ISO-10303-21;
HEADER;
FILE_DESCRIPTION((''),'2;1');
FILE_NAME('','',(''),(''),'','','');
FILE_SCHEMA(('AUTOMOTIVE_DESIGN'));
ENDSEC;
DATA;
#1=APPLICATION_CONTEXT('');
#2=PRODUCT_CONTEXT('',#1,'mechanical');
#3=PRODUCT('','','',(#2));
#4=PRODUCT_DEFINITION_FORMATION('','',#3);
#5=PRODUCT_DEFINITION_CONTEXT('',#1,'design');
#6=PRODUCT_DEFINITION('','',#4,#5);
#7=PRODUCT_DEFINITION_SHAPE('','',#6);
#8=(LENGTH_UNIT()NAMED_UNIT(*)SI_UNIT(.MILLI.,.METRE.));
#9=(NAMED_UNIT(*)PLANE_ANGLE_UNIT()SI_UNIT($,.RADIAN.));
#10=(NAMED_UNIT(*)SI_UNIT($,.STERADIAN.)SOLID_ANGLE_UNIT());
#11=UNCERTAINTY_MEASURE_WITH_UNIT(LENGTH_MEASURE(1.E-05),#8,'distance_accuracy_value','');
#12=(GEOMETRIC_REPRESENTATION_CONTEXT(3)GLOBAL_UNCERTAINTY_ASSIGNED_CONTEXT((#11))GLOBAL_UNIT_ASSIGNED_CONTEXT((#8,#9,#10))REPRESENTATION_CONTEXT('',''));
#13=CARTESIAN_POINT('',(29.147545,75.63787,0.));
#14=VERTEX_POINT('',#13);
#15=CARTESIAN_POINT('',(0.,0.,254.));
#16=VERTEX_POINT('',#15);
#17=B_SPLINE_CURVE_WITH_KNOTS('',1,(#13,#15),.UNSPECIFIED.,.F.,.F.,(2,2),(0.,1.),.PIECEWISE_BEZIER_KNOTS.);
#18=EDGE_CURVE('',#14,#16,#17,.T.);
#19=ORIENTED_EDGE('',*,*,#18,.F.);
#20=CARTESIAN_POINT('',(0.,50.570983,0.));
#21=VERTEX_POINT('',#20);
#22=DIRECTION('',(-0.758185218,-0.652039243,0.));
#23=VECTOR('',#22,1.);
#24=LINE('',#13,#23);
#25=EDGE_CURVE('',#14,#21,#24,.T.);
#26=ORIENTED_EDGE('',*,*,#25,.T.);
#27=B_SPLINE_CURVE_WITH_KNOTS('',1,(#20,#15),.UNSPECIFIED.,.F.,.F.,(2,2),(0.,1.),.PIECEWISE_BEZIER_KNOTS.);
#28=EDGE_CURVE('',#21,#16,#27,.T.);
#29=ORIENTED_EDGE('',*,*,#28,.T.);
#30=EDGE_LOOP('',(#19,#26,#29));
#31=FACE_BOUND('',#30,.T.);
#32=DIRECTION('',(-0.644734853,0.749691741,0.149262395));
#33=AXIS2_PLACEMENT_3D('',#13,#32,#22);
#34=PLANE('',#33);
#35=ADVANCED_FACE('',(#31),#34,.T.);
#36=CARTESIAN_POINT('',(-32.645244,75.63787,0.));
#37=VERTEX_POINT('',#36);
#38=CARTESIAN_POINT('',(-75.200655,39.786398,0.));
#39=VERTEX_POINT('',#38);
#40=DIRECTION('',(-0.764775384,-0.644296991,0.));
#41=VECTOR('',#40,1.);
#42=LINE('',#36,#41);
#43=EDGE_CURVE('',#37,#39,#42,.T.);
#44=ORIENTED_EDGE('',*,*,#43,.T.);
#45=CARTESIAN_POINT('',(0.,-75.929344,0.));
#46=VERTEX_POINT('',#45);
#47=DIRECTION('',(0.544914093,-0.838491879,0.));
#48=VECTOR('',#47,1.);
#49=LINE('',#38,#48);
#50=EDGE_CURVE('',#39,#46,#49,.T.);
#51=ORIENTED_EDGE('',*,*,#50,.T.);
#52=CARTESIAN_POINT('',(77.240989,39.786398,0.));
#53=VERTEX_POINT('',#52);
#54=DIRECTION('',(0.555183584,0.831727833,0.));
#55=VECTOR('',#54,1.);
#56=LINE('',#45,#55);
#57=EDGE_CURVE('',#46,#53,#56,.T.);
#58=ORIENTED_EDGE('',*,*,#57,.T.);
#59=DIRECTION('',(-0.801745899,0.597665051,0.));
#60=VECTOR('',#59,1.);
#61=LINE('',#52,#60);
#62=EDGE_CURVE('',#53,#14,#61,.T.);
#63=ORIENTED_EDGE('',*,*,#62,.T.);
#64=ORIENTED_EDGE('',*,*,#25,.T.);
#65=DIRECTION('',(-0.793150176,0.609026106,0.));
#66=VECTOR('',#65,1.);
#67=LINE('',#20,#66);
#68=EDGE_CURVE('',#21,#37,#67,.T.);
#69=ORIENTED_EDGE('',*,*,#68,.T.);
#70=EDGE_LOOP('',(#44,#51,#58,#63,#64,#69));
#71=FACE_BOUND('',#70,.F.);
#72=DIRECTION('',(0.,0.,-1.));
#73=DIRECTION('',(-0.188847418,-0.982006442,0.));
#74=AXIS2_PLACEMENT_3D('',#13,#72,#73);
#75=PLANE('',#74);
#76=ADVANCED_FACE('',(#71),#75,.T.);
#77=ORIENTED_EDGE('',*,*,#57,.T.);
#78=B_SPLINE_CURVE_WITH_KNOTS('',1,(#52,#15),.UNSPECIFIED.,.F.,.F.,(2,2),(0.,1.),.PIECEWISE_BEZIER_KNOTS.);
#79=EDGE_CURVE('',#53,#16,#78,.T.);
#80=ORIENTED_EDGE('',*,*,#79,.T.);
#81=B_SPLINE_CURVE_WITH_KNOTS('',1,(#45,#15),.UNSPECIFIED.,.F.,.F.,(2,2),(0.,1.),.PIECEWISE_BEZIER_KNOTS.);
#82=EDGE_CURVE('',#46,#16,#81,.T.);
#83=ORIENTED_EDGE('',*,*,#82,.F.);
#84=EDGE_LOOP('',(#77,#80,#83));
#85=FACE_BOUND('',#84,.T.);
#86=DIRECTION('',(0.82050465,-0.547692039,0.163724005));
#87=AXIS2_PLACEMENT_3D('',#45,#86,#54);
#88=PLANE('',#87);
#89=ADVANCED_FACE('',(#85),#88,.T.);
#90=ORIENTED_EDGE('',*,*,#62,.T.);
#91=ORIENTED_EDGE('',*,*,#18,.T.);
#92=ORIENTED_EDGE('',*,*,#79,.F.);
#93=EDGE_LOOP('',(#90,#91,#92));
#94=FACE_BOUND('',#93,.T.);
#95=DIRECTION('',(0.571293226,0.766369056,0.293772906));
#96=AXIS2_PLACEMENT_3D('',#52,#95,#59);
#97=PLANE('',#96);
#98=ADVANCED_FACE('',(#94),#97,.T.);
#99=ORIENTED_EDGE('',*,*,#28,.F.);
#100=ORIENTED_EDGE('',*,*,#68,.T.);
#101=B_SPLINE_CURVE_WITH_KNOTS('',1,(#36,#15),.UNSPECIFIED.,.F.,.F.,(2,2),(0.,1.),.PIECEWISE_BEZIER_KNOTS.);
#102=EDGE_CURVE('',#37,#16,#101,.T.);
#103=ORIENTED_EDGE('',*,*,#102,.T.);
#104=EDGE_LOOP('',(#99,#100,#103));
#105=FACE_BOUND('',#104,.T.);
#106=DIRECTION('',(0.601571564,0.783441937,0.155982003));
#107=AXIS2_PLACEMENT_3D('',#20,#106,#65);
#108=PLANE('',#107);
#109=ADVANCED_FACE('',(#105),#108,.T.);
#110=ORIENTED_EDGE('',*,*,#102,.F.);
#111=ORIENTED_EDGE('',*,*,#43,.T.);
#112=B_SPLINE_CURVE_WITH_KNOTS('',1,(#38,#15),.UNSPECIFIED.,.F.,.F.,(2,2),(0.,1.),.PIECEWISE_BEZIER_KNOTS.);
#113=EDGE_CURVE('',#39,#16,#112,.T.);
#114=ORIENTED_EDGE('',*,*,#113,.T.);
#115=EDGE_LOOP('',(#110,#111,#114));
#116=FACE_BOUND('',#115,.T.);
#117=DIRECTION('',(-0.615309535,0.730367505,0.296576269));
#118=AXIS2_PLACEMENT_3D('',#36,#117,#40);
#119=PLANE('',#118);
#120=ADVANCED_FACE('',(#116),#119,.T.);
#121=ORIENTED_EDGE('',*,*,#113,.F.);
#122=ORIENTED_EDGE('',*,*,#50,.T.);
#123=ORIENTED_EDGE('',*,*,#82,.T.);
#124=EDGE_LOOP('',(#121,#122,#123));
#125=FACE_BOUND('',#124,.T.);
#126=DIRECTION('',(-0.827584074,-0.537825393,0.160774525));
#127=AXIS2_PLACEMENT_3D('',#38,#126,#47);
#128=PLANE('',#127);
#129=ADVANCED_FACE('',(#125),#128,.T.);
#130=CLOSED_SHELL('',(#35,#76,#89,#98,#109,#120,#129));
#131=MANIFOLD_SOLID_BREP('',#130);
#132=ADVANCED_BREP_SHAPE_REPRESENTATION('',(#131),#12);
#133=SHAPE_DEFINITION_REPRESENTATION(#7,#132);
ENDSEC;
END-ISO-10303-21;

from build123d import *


with BuildPart() as f3:
    # F0 (on Top) → F3 section 0
    with BuildSketch(Plane.XY, mode=Mode.PRIVATE) as f3_s0:
        Polygon((29.147545, 75.63787), (0, 50.570983), (-32.645244, 75.63787), (-75.200655, 39.786398), (0, -75.929344), (77.240989, 39.786398), align=None)
    loft([f3_s0.sketch, Vertex(0, 0, 254)])


solid = f3.part
